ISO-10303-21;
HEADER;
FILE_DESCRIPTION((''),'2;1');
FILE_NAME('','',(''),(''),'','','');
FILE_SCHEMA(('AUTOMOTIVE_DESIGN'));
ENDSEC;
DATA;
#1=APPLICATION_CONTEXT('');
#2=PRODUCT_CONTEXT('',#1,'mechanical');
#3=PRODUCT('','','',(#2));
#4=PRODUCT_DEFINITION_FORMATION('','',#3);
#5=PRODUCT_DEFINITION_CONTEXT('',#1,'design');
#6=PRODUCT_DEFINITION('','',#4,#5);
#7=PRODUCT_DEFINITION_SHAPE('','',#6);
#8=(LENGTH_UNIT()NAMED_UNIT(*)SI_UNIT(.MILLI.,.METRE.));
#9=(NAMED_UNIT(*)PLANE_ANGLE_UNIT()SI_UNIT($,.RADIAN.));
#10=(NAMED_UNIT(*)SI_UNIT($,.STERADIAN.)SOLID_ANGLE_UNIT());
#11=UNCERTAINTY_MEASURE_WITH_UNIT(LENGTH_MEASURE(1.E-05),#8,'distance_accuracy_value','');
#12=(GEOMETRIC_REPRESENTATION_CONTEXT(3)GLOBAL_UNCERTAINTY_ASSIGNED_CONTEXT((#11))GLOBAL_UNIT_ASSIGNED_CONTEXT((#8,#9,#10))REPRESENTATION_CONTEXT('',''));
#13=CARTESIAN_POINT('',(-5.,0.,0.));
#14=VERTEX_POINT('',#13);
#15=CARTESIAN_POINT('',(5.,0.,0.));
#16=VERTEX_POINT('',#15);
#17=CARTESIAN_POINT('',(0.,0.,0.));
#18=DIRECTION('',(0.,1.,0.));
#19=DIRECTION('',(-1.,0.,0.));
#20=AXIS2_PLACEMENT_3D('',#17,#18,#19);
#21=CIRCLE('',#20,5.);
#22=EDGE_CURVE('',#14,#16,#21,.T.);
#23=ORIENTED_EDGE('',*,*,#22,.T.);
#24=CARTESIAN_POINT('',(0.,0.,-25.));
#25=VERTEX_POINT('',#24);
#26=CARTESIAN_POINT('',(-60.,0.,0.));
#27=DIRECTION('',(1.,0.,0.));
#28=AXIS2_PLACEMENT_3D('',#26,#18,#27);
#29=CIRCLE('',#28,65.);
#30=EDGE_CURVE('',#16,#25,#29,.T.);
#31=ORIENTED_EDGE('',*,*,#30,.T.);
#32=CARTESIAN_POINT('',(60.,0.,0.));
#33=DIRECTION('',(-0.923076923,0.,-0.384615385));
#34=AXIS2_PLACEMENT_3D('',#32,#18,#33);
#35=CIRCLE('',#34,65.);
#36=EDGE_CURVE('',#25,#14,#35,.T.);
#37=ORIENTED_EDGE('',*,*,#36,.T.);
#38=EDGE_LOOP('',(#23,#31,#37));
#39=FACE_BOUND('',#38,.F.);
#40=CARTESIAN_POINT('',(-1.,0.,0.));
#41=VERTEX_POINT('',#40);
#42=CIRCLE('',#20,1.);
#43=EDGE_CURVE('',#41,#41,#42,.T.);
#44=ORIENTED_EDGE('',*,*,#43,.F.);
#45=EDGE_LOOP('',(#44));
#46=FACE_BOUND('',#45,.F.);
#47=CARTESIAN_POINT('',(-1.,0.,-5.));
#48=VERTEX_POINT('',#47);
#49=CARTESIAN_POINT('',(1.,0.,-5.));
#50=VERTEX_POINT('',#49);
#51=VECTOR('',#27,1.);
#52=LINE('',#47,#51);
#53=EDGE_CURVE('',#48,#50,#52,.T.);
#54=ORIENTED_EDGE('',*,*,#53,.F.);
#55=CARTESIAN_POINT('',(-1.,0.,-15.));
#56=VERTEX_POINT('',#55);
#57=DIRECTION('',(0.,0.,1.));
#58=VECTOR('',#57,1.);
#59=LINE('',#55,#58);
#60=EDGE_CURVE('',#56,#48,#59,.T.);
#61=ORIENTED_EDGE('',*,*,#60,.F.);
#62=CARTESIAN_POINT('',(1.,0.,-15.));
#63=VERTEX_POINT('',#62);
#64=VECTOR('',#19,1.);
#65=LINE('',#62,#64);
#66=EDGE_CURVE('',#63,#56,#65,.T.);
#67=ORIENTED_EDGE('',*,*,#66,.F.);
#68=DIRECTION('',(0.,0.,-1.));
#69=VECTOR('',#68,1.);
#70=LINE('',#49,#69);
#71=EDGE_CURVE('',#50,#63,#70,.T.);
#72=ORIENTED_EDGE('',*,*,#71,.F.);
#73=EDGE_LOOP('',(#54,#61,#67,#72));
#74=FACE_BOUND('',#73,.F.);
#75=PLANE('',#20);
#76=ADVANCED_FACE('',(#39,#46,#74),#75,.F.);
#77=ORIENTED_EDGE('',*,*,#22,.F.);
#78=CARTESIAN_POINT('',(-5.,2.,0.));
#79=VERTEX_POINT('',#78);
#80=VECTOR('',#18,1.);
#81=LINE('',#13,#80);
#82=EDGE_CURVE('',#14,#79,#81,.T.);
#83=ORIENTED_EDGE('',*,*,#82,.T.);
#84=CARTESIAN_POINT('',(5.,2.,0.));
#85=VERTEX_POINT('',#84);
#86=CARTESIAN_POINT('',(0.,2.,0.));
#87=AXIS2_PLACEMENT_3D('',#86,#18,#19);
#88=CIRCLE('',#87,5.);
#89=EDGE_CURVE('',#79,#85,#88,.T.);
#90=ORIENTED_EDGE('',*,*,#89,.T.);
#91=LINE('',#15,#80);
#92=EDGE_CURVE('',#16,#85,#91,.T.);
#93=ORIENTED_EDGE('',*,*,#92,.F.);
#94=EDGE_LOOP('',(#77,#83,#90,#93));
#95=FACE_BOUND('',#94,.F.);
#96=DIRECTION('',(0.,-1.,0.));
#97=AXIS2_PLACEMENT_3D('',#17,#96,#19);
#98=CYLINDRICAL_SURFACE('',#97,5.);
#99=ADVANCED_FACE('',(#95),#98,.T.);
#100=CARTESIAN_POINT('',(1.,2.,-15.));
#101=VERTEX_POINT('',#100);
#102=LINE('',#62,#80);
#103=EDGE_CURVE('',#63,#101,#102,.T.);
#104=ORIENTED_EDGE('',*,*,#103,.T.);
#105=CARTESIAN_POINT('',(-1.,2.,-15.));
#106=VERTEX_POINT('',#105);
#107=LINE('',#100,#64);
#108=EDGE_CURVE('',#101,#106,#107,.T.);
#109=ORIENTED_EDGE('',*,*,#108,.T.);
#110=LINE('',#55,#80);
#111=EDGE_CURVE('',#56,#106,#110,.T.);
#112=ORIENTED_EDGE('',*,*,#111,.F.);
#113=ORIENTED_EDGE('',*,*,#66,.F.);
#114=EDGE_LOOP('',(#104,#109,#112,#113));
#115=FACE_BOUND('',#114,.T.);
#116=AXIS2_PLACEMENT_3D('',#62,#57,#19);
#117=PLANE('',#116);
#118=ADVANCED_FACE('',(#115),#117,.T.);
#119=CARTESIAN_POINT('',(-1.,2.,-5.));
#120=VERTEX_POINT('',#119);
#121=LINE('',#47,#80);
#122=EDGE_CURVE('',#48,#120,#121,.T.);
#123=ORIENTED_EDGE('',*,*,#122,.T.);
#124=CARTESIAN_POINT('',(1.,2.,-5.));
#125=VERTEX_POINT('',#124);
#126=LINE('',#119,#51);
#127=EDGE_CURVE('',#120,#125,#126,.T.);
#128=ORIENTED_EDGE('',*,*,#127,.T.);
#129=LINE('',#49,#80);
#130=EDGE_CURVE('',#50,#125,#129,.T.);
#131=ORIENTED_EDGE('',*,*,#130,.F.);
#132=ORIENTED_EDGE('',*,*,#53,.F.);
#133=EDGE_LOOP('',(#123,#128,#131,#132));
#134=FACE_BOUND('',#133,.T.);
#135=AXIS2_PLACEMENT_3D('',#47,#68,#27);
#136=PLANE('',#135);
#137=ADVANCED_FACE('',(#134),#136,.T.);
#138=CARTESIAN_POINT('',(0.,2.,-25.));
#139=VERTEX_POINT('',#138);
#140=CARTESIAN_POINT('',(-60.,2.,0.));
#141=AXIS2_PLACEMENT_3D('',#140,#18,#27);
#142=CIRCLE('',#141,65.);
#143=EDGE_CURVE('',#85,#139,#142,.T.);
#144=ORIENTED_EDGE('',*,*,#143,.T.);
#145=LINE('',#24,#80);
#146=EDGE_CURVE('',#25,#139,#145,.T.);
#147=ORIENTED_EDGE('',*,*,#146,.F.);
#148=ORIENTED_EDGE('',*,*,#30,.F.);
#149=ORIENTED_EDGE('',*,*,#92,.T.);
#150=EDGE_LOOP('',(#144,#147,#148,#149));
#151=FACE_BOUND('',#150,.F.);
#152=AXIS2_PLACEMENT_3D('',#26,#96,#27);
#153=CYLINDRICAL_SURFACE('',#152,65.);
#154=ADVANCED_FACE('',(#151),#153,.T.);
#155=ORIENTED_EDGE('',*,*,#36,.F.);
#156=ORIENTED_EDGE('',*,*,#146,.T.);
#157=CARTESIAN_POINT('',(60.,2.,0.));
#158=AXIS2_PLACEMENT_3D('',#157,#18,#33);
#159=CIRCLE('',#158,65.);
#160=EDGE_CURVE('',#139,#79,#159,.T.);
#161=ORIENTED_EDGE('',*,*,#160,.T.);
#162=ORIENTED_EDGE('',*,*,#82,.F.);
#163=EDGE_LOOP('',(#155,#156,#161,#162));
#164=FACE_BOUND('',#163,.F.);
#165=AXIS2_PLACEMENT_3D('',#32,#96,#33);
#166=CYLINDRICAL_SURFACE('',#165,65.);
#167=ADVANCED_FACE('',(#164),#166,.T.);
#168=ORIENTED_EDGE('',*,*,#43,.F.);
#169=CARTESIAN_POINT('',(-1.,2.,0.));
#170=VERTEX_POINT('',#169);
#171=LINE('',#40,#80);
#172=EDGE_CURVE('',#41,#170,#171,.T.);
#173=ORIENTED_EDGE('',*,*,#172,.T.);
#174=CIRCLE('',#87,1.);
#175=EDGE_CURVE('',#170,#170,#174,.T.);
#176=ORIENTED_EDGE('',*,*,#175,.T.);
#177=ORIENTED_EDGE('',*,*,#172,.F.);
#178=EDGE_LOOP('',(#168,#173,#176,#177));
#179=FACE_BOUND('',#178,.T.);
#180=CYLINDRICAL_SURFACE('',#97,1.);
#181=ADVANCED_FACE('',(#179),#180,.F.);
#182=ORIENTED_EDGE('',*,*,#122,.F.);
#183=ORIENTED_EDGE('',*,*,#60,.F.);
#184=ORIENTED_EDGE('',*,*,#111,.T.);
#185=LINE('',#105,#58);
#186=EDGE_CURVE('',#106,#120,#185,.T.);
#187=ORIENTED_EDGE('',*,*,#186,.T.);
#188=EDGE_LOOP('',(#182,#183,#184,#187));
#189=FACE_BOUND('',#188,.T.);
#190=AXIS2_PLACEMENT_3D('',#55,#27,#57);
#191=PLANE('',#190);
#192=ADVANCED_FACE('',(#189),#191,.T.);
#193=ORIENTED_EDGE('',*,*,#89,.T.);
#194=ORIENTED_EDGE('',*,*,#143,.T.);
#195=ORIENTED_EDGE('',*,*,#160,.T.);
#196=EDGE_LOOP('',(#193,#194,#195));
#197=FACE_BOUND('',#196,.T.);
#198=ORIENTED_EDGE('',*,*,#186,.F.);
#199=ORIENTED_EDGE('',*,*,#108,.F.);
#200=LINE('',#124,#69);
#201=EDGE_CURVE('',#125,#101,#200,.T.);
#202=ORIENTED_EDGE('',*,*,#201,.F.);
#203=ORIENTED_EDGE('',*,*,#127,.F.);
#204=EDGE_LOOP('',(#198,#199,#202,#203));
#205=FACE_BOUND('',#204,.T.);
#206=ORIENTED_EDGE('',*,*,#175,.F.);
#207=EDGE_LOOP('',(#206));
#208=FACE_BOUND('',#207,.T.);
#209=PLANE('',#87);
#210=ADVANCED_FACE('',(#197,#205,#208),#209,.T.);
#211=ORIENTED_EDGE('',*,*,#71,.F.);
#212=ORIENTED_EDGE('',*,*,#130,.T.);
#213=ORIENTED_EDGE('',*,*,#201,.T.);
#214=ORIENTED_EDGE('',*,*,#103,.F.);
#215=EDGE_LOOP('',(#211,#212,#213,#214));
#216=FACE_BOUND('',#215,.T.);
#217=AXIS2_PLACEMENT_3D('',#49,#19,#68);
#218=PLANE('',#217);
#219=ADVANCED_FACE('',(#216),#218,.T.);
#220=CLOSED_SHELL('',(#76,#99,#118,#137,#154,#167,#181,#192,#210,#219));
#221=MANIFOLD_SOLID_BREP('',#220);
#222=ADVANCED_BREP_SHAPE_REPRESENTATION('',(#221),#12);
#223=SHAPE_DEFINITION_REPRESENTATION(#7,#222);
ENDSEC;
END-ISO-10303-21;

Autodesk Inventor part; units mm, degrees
ref_plane "YZ Plane" through (0, 0, 0) normal (1, 0, 0) x (0, 1, 0)
ref_plane "XZ Plane" through (0, 0, 0) normal (0, 1, 0) x (-1, 0, 0)
ref_plane "XY Plane" through (0, 0, 0) normal (0, 0, 1) x (1, 0, 0)
sketch "Sketch1" plane through (0, 0, 0) normal (0, 1, 0) x (-1, 0, 0)
  arc A0 (5, 0) -> (-5, 0) centre (0, 0) ccw
  arc A1 (0, -25) -> (5, 0) centre (-60, 0) ccw
  arc A2 (-5, 0) -> (0, -25) centre (60, 0) ccw
  circle A3 centre (0, 0) radius 1
  line L0 (1, -5) -> (-1, -5)
  line L1 (-1, -5) -> (-1, -15)
  line L2 (-1, -15) -> (1, -15)
  line L3 (1, -15) -> (1, -5)
  dimension "d0" = 5
  dimension "d1" = 0
  dimension "d2" = 0
  dimension "d3" = 0
  dimension "d4" = 0
  dimension "d5" = 0
  dimension "d6" = 25
  dimension "d7" = 2
  dimension "d10" = 10
  dimension "d11" = 2
  dimension "d12" = 1
  dimension "d13" = 5
extrude "Extrusion2" add sketch "Sketch1" along normal blind 2
properties part number "aileron_arriere"
